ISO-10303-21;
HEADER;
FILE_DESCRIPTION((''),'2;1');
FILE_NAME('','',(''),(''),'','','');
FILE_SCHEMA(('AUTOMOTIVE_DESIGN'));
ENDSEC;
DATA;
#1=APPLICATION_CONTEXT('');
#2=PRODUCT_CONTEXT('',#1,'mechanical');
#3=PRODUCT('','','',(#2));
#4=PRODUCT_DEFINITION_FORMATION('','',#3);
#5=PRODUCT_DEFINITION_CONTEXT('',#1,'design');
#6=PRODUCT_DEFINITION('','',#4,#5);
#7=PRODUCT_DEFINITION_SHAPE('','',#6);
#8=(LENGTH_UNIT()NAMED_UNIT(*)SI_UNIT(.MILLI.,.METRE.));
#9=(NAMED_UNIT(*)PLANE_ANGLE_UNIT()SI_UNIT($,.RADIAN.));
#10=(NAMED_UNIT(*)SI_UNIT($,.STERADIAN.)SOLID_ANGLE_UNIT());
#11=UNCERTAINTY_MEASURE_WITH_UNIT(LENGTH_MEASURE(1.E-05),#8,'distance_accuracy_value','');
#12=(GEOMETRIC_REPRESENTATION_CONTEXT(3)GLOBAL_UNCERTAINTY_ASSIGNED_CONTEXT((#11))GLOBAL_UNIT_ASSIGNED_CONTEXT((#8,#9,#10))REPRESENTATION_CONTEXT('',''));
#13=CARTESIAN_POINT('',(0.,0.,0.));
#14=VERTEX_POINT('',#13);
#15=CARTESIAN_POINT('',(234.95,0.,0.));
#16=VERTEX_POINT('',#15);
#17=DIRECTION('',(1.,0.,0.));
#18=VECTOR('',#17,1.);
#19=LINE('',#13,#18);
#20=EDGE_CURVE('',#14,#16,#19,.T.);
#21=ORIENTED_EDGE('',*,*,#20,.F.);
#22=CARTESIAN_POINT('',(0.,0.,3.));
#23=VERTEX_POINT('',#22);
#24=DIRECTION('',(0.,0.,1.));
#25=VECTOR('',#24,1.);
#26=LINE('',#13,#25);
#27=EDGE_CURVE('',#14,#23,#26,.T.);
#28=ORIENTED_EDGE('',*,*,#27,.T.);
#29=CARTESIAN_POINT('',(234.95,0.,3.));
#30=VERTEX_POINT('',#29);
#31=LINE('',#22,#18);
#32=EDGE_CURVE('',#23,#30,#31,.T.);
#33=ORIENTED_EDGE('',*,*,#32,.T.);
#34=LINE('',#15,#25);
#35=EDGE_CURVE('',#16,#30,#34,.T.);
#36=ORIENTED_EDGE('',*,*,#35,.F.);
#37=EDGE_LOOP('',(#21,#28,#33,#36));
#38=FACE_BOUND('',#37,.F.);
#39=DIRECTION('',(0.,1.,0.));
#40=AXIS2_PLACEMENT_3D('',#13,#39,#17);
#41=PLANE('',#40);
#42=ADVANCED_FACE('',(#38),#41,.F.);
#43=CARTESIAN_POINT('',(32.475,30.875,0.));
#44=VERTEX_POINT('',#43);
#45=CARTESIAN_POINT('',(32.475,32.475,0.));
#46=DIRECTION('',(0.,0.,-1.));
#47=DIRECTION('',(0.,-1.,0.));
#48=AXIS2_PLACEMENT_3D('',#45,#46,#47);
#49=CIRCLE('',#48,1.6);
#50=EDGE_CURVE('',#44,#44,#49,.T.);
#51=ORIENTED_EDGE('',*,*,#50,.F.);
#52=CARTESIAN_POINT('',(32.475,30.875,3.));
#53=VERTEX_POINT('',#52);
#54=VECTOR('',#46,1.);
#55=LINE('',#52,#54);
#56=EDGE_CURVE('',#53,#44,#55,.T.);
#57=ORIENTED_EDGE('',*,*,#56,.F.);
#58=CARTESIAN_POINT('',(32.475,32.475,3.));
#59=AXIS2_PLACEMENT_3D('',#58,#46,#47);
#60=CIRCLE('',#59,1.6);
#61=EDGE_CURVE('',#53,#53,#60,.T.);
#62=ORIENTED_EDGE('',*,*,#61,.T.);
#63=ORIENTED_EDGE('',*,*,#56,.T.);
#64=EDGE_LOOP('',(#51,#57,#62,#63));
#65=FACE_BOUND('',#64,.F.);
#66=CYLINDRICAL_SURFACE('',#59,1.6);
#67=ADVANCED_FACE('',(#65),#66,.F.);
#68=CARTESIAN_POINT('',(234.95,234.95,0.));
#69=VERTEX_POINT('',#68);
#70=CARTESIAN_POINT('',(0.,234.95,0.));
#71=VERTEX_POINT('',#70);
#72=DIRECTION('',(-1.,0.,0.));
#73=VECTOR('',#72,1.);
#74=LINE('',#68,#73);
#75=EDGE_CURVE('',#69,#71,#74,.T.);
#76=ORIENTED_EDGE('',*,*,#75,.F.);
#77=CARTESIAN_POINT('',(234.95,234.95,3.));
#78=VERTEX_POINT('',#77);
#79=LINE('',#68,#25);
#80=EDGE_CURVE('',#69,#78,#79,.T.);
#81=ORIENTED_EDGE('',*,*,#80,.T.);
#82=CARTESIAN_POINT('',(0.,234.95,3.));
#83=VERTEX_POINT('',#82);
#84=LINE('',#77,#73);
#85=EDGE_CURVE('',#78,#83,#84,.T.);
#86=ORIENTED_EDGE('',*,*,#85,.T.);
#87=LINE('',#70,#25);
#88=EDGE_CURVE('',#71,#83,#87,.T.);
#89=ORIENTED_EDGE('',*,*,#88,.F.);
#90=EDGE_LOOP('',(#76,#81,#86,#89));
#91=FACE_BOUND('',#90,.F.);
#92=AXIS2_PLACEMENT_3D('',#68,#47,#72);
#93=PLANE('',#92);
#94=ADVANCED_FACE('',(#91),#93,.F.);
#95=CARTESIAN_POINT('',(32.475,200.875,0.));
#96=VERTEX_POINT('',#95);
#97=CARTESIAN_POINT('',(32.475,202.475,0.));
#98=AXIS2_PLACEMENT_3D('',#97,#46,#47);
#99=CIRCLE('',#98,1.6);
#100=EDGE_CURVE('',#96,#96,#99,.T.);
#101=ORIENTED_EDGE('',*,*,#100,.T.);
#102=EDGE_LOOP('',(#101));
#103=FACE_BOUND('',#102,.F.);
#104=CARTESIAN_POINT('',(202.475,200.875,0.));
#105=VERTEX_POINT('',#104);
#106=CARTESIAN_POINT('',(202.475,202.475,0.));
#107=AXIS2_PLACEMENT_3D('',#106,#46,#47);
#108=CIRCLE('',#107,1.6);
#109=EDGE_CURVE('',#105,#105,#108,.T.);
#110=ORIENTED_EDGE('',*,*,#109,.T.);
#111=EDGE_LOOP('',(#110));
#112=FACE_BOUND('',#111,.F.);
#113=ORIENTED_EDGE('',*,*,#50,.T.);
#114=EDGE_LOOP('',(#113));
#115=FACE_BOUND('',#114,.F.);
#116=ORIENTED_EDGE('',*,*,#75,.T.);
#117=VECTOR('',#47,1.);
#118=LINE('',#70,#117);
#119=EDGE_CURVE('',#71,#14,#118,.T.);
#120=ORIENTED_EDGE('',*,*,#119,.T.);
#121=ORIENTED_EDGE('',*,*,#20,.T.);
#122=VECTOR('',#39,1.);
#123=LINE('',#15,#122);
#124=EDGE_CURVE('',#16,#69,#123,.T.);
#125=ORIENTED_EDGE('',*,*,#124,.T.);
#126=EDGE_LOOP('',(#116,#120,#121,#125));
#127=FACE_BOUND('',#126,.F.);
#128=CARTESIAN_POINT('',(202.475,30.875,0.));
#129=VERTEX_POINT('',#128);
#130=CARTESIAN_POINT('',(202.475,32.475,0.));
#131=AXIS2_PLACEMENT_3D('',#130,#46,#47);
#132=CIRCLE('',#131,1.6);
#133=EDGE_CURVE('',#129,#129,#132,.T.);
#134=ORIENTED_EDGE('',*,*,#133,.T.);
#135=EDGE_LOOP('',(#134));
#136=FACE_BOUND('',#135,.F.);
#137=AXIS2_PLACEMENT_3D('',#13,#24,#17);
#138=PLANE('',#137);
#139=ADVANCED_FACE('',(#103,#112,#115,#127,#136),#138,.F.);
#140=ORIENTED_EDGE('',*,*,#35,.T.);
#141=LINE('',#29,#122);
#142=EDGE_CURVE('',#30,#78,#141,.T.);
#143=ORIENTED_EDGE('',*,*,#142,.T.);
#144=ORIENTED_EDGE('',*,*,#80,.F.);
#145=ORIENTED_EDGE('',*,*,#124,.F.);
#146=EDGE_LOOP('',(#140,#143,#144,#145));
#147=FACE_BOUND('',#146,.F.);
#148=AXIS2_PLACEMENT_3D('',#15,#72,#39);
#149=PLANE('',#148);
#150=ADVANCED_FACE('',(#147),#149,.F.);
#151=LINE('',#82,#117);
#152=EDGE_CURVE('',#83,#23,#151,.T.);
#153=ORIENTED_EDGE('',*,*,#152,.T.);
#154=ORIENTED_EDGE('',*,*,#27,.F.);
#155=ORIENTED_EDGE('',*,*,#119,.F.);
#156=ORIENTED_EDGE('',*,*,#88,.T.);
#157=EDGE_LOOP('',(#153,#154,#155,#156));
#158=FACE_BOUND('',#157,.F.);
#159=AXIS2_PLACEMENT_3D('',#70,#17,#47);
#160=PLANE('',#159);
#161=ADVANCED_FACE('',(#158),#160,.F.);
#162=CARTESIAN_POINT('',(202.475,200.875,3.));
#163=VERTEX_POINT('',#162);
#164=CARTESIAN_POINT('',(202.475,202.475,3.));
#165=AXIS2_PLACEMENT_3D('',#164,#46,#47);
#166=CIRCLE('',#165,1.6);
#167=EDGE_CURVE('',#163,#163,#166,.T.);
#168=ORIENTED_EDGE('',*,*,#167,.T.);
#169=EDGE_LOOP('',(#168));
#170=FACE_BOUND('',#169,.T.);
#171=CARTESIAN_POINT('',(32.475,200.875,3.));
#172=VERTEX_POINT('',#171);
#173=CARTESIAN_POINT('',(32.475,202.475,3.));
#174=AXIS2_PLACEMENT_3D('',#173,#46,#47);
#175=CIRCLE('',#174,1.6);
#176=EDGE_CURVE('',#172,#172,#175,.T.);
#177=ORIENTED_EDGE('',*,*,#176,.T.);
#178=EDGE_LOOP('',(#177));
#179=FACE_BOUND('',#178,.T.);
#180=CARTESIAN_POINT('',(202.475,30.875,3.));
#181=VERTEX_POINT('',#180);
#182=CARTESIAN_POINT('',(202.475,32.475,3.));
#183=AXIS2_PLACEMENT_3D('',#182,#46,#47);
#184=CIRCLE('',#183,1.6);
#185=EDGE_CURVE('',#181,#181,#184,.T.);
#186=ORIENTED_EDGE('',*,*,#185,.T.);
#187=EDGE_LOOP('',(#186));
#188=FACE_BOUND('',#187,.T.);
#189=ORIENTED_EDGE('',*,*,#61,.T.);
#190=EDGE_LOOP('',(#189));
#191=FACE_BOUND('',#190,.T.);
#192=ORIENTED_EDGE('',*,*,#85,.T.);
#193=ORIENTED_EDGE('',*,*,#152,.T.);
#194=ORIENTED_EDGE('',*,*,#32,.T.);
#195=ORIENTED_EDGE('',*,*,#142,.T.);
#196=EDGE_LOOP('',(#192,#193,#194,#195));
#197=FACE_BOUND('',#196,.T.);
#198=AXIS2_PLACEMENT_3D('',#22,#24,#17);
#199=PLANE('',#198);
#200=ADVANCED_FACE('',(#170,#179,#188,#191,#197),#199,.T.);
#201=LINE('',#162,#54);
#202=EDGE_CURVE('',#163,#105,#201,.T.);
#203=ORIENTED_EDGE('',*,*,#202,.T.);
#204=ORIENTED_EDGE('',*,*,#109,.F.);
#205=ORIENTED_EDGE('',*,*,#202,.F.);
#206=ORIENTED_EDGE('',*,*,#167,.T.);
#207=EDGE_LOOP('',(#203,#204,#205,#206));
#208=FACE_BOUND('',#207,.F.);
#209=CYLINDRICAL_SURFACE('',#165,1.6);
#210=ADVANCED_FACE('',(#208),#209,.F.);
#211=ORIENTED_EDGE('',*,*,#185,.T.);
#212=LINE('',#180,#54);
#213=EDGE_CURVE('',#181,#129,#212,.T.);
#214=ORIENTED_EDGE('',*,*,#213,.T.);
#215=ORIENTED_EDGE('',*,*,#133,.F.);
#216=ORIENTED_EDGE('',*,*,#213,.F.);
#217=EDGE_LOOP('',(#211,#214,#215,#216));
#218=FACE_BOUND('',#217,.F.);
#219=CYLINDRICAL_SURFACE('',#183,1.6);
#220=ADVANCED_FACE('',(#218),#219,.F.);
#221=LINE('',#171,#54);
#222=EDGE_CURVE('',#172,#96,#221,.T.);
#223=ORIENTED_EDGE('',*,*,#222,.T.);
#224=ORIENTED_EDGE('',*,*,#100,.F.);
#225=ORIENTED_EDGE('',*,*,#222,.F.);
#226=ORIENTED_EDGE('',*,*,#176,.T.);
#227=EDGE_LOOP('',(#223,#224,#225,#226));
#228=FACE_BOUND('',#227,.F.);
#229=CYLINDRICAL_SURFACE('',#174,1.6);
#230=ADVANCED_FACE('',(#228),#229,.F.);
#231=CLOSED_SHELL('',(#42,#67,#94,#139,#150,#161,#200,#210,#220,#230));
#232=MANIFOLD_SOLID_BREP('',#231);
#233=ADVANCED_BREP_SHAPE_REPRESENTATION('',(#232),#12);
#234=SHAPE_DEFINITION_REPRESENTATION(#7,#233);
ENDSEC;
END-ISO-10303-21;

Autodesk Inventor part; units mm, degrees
ref_plane "YZ Plane" through (0, 0, 0) normal (1, 0, 0) x (0, 1, 0)
ref_plane "XZ Plane" through (0, 0, 0) normal (0, 1, 0) x (-1, 0, 0)
ref_plane "XY Plane" through (0, 0, 0) normal (0, 0, 1) x (1, 0, 0)
sketch "Sketch1" plane through (0, 0, 0) normal (0, 0, 1) x (1, 0, 0)
  line L0 (0, 0) -> (234.95, 0)
  line L1 (234.95, 0) -> (234.95, 234.95)
  line L2 (234.95, 234.95) -> (0, 234.95)
  line L3 (0, 234.95) -> (0, 0)
  dimension "d0" = 234.95
  dimension "d1" = 234.95
extrude "Extrusion1" add sketch "Sketch1" along normal blind 3
ref_plane "Work Plane1" through (0, 117.475, 0) normal (0, 1, 0) x (1, 0, 0)
sketch "Sketch2" plane through (0, 0, 3) normal (0, 0, 1) x (1, 0, 0)
  line L0 (0, 234.95) -> (0, 0) projected
  line L1 (234.95, 0) -> (234.95, 234.95) projected
  line L2 (0, 0) -> (234.95, 0) projected
  line L3 (234.95, 234.95) -> (0, 234.95) projected
  line L4 (54.825, 126.475) -> (78.825, 126.475) construction
  line L5 (156.125, 126.475) -> (180.125, 126.475) construction
  line L6 (107.475, 127.475) -> (127.475, 127.475) construction
  line L7 (127.475, 127.475) -> (127.475, 107.475) construction
  line L8 (127.475, 107.475) -> (107.475, 107.475) construction
  line L9 (107.475, 107.475) -> (107.475, 127.475) construction
  line L10 (93.15, 137.475) -> (93.15, 97.475) construction
  point P0 (32.475, 202.475)
  point P1 (202.475, 202.475)
  point P2 (202.475, 32.475)
  point P3 (32.475, 32.475)
  point P4 (54.825, 108.475)
  point P5 (78.825, 108.475)
  point P6 (156.125, 108.475)
  point P7 (180.125, 108.475)
  point P8 (66.825, 126.475)
  point P9 (168.125, 126.475)
  point P10 (117.475, 127.475)
  point P11 (117.475, 234.95)
  point P12 (127.475, 117.475)
  point P13 (234.95, 117.475)
  point P14 (93.15, 117.475)
  point P15 (0, 117.475)
  dimension "d4" = 170
  dimension "d5" = 170
  dimension "d6" = 32.475
  dimension "d7" = 32.475
  dimension "d8" = 32.475
  dimension "d9" = 32.475
  dimension "d17" = 24
  dimension "d18" = 18
  dimension "d19" = 18
  dimension "d20" = 24
  dimension "d21" = 101.3
  dimension "d22" = 54.825
  dimension "d23" = 54.825
  dimension "d24" = 108.475
  dimension "d25" = 108.475
  dimension "d33" = 20
  dimension "d34" = 40
  dimension "d35" = 14.325
  dimension "d36" = 14.325
hole "Hole1" at (32.475, 202.475, 3) at (202.475, 202.475, 3) at (202.475, 32.475, 3) at (32.475, 32.475, 3) direction (0, 0, -1) diameter 3.2 end through all
equation "\"d5\" = d4"
equation "\"d6\" = d7"
equation "\"d8\" = d9"
equation "\"d19\" = d18"
equation "\"d20\" = d17"
equation "\"d22\" = d23"
equation "\"d24\" = d25"
equation "\"d35\" = d36"
properties part number "Print bed"
